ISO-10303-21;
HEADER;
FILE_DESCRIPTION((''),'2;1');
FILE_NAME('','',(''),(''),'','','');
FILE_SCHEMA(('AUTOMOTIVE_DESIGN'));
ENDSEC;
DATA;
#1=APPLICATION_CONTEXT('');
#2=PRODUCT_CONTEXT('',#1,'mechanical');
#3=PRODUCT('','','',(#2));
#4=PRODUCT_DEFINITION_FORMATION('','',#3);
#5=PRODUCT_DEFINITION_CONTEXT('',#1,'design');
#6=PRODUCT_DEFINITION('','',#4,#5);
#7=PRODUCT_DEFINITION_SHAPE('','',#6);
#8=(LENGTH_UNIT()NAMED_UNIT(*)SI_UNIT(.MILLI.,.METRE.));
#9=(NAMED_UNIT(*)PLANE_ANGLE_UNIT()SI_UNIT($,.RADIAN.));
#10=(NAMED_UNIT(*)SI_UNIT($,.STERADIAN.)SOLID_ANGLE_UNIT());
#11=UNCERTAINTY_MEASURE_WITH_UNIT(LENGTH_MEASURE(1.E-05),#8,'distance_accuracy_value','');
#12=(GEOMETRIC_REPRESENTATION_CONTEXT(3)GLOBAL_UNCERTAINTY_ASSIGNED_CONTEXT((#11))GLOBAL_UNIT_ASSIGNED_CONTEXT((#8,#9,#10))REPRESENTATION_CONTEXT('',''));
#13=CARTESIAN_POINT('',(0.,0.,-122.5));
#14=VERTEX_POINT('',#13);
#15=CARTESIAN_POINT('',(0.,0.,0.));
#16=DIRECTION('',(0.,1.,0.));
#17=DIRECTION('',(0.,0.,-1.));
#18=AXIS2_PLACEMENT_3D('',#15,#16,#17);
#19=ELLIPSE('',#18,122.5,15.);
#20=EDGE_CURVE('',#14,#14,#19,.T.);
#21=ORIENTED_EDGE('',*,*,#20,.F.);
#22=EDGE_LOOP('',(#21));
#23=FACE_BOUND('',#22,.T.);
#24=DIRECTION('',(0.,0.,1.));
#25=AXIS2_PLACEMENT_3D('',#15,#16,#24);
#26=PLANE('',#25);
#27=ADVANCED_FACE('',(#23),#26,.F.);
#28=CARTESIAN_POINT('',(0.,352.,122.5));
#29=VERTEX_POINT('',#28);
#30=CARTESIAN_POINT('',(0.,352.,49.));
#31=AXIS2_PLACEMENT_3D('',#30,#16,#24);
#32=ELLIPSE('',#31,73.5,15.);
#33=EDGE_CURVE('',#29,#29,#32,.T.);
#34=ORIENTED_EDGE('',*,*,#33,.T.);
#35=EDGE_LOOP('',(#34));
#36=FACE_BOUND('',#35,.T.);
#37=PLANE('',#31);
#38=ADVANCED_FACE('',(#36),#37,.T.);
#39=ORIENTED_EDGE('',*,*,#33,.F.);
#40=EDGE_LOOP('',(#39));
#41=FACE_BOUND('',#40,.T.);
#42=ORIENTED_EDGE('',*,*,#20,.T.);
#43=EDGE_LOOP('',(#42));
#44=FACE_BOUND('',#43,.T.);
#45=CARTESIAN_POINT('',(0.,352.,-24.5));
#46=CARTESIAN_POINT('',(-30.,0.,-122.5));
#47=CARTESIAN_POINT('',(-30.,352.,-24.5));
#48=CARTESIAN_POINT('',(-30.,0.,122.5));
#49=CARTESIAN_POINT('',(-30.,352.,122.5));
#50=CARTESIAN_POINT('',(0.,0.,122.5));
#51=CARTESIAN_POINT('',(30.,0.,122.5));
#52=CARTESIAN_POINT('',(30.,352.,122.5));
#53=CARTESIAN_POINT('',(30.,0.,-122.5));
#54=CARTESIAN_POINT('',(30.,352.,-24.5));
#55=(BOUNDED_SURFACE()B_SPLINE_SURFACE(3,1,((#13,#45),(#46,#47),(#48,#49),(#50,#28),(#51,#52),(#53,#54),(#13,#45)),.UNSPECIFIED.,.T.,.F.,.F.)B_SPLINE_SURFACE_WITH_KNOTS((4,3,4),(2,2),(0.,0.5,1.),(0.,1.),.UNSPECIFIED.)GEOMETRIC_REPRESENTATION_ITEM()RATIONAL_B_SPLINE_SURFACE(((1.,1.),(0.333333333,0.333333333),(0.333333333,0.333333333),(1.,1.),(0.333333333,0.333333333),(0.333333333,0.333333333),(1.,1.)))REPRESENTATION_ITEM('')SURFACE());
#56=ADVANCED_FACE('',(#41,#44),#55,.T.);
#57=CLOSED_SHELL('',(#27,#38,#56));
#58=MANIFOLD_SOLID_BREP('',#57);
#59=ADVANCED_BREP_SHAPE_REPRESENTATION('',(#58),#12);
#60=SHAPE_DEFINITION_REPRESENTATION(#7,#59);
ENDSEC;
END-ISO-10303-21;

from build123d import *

# Parameters (mm, degrees)
SKETCH1_RX = 122.5
SKETCH1_RY = 15
SKETCH2_RX = 73.5
SKETCH2_RY = 15


with BuildPart() as part:
    # Sketch1 → Loft1 section 0
    with BuildSketch(Plane(origin=(0, 0, 0), x_dir=(1, 0, 0), z_dir=(0, 1, 0))):
        with Locations(Location((0, 0), (0, 0, 90))):
            Ellipse(SKETCH1_RX, SKETCH1_RY)
    # Sketch2 → Loft1 section 1
    with BuildSketch(Plane(origin=(0, 352, 0), x_dir=(1, 0, 0), z_dir=(0, 1, 0))):
        with Locations(Location((0, -49), (0, 0, -90))):
            Ellipse(SKETCH2_RX, SKETCH2_RY)
    loft()


solid = part.part
